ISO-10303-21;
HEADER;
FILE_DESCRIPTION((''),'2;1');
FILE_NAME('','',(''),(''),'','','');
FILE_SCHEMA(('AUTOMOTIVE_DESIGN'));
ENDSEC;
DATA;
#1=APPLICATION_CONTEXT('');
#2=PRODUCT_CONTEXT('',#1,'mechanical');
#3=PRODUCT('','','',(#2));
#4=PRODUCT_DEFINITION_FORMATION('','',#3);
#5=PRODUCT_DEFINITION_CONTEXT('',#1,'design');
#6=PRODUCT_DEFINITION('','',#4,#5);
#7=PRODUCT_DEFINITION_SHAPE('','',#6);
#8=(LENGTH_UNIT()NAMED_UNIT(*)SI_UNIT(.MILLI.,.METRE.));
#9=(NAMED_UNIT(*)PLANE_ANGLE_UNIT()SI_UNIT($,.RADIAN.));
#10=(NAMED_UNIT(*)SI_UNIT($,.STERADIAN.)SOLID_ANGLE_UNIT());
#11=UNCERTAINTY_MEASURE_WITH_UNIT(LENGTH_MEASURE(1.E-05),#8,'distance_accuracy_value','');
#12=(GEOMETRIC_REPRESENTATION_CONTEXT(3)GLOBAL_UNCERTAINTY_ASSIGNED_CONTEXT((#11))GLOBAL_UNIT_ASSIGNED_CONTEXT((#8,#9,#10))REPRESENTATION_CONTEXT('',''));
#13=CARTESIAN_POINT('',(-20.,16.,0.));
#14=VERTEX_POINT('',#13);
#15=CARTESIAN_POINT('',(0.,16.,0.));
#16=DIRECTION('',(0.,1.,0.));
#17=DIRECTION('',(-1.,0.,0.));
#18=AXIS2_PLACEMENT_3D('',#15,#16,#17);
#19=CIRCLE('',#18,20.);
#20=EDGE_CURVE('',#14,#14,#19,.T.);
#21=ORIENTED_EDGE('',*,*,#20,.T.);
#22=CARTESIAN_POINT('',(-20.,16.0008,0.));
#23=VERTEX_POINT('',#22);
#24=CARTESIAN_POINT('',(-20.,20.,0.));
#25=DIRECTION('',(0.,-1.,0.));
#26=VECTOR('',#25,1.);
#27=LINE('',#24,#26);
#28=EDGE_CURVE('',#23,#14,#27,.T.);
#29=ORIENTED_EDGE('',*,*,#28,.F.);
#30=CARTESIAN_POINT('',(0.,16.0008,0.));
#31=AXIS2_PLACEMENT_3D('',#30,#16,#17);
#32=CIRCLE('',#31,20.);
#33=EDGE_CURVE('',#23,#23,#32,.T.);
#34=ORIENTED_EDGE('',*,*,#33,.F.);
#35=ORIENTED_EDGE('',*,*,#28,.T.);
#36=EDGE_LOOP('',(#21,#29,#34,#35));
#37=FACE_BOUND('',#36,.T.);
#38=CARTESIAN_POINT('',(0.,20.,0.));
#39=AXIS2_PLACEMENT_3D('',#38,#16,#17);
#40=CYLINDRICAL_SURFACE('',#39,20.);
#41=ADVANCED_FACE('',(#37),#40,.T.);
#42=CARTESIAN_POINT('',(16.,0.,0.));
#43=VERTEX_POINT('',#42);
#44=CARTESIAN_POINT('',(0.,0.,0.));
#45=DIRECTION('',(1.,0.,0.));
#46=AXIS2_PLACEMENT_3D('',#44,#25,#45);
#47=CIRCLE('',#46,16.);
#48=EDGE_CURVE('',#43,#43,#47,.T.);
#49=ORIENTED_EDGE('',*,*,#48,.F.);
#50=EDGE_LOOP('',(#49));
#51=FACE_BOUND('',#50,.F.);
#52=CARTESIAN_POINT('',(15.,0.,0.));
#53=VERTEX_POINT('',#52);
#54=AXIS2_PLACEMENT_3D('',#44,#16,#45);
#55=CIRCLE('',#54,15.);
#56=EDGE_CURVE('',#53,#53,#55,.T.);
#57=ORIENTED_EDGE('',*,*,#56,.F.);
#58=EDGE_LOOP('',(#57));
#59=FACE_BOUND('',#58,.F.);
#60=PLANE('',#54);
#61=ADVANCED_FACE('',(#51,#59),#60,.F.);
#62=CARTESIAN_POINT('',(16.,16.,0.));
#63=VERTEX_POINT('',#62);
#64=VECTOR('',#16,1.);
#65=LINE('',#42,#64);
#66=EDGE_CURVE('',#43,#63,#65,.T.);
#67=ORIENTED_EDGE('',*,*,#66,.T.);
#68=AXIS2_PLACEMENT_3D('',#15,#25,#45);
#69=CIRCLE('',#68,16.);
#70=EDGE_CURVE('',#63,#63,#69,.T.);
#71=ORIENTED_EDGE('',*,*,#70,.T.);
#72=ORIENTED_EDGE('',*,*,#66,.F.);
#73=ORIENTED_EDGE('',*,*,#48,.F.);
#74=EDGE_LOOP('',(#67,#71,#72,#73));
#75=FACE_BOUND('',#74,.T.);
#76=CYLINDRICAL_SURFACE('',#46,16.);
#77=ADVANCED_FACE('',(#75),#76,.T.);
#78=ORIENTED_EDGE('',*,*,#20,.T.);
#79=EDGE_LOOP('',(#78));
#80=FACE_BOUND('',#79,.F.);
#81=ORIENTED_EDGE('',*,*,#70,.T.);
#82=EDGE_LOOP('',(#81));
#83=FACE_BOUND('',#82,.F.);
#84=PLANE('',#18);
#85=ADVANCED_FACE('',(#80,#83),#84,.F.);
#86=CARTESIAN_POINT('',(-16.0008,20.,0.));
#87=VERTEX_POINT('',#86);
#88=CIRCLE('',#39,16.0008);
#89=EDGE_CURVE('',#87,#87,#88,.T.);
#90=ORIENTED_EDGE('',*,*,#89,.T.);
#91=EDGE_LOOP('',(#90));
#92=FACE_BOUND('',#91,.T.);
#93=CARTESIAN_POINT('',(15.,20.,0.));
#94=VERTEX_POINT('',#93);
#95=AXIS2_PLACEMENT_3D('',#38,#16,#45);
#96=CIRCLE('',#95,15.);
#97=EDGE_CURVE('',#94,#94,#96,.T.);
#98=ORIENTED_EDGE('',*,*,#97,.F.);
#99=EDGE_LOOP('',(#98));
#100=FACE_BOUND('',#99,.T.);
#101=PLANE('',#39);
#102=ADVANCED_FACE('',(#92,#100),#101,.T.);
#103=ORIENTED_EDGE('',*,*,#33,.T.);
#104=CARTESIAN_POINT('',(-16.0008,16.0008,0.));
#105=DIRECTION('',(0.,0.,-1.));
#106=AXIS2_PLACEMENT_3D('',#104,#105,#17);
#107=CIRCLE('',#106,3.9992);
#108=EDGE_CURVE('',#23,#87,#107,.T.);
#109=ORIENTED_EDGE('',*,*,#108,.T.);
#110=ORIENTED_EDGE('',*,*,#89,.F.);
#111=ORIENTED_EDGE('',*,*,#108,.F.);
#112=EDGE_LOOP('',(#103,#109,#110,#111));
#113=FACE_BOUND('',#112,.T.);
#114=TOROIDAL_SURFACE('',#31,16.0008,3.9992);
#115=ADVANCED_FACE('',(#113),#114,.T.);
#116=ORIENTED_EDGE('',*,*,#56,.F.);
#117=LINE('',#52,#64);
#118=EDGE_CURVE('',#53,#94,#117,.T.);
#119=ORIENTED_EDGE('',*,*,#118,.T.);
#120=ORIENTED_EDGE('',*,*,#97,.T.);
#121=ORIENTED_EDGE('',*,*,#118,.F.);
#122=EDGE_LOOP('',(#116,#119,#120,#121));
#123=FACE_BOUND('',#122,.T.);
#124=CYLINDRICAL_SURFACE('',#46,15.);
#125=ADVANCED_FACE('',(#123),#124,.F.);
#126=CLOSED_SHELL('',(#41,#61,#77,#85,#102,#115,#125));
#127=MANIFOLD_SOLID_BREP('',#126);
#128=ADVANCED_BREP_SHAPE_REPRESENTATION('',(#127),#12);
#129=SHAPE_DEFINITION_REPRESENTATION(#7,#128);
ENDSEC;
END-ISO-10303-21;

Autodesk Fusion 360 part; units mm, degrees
sketch "Sketch1" plane through (0, 0, 0) normal (0, 1, 0) x (1, 0, 0)
  circle A0 centre (0, 0) radius 15
  circle A1 centre (0, 0) radius 17.5
  dimension "d1" = 30
  dimension "d2" = 35
extrude "Extrude1" add sketch "Sketch1" along normal blind 20
sketch "Sketch2" plane through (0, 20, 0) normal (0, 1, 0) x (-1, 0, 0)
  circle A0 centre (0, 0) radius 15
  circle A1 centre (0, 0) radius 17.5
  circle A2 centre (0, 0) radius 16.5
  circle A3 centre (0, 0) radius 17.5
  circle A4 centre (0, 0) radius 19
  circle A5 centre (0, 0) radius 20
  dimension "d5" = 33
  dimension "d10" = 38
  dimension "d13" = 40
extrude "Extrude2" cut sketch "Sketch2" against normal blind 20 contours A1 A3
extrude "Extrude3" add sketch "Sketch2" against normal blind 2 contours A1 A3
extrude "Extrude4" add sketch "Sketch2" against normal blind 4 contours A1 A3 | A4
extrude "Extrude5" add sketch "Sketch2" against normal blind 4 contours A5
sketch "Sketch3" plane through (0, 0, 0) normal (0, -1, 0) x (1, 0, 0)
  circle A0 centre (0, 0) radius 16.5
  circle A1 centre (0, 0) radius 15
  circle A2 centre (0, 0) radius 16
  circle A3 centre (0, 0) radius 16.5
extrude "Extrude6" cut sketch "Sketch3" against normal blind 16 contours A0 A3
fillet "Fillet1" radius 4 1 edges at (18.6465, 20, -7.2323)
